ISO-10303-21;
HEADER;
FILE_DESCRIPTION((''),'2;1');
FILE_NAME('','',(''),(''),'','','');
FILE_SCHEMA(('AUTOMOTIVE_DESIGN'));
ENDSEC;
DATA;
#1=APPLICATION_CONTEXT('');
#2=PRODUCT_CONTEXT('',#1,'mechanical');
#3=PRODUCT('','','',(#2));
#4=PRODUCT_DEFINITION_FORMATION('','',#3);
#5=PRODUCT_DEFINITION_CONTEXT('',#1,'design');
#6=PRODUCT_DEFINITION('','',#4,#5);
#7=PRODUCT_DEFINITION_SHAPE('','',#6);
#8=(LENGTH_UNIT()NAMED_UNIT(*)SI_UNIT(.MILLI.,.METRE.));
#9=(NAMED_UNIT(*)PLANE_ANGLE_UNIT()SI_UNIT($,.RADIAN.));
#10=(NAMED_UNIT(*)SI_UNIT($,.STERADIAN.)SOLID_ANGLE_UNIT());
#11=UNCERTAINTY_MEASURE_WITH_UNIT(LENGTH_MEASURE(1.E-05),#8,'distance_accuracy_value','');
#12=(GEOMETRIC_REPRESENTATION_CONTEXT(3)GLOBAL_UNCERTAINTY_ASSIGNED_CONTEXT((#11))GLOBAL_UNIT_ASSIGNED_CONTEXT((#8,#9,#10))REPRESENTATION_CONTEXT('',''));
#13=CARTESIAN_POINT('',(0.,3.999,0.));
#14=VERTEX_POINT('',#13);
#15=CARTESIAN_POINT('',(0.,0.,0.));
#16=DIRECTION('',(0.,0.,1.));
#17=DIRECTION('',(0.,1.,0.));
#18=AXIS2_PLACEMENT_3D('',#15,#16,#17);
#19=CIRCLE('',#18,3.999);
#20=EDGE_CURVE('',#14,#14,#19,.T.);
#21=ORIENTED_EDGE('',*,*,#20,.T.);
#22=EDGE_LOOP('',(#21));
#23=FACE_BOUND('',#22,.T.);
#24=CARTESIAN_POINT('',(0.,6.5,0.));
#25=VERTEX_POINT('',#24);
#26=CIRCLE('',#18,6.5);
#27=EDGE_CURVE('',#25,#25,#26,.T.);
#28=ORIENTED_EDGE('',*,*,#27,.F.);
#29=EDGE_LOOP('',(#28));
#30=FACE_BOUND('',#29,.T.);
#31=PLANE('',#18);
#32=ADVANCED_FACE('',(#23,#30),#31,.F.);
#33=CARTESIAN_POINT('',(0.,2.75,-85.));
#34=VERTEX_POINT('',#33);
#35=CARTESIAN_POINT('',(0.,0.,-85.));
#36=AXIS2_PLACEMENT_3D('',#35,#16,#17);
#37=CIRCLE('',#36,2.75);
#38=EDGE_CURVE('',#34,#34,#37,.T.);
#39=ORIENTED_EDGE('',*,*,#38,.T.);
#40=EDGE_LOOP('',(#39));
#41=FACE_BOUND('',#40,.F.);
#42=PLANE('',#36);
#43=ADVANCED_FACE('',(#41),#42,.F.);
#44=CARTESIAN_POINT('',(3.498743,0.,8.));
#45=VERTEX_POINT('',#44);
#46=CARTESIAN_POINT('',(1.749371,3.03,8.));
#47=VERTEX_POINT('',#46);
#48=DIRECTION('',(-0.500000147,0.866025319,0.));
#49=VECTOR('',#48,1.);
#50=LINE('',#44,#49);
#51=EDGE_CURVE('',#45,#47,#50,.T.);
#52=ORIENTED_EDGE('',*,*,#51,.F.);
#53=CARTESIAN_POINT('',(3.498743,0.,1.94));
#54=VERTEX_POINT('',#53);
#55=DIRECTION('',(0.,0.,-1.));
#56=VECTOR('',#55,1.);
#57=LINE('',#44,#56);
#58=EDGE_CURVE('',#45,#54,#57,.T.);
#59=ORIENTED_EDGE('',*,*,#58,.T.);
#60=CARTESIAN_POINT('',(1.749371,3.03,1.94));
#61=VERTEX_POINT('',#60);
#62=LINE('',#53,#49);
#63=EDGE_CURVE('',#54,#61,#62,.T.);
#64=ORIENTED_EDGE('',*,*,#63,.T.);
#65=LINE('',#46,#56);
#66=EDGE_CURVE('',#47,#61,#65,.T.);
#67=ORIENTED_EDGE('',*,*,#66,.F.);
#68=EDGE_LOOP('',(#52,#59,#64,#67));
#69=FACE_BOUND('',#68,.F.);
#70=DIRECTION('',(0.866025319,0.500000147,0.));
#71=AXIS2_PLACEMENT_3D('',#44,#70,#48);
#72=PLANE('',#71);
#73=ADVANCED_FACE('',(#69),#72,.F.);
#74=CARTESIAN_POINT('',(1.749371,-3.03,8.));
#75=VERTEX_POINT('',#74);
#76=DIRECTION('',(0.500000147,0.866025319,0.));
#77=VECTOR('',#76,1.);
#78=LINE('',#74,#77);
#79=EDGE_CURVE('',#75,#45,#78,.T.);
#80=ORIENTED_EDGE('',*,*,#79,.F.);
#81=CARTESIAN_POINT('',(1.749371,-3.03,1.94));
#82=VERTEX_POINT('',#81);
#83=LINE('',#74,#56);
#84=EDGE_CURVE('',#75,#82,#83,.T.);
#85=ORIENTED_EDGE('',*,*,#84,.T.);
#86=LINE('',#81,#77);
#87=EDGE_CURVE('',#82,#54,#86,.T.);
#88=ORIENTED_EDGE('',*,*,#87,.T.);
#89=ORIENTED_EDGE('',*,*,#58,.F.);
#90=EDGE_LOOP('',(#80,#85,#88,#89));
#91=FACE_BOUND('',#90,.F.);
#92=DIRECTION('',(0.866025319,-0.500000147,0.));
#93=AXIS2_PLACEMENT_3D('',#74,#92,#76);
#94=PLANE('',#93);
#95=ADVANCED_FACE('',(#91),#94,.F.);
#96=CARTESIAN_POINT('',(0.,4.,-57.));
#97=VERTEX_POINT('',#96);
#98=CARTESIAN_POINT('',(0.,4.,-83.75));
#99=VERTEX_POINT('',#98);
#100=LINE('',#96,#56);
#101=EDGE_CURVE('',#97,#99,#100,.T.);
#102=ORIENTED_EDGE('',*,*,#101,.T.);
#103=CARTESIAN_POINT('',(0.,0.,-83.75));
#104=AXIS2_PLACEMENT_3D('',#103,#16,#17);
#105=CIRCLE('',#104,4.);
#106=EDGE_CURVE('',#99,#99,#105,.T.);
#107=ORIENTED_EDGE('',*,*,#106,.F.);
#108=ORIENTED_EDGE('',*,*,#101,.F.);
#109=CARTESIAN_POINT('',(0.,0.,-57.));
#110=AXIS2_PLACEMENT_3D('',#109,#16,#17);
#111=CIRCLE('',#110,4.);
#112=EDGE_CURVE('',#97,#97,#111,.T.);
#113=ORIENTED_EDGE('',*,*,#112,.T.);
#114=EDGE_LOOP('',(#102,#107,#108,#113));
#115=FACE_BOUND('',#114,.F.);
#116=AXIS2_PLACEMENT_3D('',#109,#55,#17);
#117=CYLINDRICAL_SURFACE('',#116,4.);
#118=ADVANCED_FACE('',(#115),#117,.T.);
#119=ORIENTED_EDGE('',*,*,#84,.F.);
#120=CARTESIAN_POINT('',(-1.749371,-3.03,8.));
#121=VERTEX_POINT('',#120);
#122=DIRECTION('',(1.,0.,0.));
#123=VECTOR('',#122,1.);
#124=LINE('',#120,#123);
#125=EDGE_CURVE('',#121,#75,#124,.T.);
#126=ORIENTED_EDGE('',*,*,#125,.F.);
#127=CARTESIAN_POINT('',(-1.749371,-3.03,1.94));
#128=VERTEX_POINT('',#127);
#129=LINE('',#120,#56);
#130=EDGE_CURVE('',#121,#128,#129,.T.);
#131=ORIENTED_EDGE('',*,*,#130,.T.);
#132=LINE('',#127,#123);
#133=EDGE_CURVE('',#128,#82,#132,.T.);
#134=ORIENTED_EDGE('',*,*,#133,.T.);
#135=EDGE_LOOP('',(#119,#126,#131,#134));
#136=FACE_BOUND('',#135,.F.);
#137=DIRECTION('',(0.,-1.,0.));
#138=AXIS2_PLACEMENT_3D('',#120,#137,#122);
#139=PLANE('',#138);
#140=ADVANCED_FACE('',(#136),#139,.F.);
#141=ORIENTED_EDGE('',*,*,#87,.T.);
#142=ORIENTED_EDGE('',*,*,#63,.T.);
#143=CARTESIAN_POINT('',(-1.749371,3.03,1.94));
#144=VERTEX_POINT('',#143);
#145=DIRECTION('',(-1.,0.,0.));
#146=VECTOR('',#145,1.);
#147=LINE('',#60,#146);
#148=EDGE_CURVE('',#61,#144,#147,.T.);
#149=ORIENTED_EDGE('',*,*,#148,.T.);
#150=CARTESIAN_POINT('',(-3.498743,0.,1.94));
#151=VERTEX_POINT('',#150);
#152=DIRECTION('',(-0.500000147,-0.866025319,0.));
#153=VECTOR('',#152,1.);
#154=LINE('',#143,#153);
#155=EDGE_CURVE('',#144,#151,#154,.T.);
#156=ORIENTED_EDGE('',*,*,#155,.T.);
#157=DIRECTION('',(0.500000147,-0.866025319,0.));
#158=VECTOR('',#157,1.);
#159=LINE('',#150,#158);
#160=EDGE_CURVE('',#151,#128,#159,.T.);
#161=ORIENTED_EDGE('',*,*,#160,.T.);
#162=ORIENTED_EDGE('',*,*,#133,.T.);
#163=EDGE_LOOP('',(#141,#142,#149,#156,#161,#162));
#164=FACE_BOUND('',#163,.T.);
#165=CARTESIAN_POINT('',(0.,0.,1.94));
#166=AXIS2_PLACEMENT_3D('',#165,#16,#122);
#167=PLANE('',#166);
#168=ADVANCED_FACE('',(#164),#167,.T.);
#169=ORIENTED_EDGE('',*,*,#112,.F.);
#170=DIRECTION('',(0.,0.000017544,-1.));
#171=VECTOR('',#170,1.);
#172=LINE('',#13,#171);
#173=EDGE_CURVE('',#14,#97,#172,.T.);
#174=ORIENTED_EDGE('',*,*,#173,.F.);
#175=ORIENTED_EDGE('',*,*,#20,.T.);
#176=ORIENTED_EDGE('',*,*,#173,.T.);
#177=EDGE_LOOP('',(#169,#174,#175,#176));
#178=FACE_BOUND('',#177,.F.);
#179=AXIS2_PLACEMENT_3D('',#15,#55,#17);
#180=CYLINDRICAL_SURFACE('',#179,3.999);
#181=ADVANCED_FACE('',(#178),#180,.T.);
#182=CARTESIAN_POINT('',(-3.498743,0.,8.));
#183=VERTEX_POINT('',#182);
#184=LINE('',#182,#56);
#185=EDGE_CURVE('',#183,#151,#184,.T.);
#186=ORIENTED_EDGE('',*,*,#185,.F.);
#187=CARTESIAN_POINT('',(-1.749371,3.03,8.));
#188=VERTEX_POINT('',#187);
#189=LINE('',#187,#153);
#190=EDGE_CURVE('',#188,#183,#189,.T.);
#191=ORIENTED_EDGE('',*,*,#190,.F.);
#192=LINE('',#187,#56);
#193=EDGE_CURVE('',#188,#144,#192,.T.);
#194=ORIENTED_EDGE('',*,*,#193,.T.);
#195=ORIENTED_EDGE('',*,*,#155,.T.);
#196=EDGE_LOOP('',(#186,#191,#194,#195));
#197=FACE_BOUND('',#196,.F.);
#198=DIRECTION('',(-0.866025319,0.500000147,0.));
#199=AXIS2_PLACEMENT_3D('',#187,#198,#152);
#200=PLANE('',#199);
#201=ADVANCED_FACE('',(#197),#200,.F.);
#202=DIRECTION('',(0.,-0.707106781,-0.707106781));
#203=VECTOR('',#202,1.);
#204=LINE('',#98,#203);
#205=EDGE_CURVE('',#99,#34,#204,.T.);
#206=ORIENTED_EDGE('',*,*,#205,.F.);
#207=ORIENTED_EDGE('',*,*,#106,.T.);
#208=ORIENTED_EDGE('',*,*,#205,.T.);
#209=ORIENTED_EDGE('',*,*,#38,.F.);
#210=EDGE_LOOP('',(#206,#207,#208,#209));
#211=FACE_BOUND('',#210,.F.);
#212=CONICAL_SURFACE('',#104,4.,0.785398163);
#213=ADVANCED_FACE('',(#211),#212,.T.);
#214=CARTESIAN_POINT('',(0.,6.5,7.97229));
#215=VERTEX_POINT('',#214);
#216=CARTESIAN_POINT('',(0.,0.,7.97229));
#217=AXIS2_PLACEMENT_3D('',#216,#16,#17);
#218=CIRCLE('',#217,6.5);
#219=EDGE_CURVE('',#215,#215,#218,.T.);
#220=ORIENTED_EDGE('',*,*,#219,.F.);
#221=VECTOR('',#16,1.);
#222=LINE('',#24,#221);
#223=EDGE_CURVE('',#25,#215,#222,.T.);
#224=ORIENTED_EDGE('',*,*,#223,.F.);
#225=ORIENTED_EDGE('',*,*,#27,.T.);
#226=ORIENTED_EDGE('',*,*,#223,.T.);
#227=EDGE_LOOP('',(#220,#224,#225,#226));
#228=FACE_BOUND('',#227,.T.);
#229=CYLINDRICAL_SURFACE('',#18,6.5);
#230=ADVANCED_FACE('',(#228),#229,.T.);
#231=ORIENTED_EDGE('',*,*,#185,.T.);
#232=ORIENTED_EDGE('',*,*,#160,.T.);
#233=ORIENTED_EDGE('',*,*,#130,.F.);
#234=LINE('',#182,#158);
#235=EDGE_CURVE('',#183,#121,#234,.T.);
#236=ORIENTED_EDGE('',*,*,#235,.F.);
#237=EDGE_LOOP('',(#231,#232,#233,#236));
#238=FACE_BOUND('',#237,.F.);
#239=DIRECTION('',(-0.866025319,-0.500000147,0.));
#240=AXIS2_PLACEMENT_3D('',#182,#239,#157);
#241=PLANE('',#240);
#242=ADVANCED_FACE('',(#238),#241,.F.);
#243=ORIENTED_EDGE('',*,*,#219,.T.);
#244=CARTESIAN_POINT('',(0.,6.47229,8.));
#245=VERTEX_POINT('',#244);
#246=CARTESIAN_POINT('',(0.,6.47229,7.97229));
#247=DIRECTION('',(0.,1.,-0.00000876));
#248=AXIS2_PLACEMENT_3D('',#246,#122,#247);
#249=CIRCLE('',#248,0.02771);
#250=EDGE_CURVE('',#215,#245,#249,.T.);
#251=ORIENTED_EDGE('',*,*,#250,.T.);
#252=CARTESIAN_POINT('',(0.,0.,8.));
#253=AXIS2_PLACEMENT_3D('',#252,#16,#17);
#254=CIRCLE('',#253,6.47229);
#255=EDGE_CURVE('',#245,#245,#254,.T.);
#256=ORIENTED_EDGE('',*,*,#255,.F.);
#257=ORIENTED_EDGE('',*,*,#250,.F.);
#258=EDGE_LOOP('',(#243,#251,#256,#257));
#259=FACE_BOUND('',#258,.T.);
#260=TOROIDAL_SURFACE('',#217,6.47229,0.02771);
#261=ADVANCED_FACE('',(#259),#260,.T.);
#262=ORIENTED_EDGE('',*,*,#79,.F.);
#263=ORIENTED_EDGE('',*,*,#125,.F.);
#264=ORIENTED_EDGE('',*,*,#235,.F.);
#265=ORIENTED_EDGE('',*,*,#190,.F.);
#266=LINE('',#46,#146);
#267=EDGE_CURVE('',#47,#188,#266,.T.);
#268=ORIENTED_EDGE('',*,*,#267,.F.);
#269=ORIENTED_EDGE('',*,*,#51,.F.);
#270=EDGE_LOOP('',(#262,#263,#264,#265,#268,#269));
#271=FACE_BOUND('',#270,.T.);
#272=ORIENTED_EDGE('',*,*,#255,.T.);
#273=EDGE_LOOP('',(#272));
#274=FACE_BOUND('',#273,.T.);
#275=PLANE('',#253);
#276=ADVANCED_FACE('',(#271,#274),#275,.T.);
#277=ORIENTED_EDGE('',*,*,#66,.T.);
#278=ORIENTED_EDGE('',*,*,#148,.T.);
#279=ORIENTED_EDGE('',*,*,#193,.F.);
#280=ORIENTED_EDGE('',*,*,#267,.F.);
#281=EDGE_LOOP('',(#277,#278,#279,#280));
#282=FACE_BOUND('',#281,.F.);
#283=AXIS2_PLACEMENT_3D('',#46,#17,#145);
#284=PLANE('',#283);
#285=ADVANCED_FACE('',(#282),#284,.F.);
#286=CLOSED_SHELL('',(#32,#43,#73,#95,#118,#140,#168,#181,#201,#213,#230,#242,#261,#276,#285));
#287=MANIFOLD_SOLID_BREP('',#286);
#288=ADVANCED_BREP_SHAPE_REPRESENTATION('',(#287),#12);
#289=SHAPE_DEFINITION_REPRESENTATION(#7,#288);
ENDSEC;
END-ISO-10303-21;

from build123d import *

# Parameters (mm, degrees)
POCKET_DEPTH = 6.06


with BuildPart() as part:
    # Sketch → Revolve (revolve)
    with BuildSketch(Plane.YZ):
        with BuildLine():
            Line((3.999, 0), (6.5, 0))
            Line((6.5, 0), (6.5, 7.97229))
            ThreePointArc((6.5, 7.97229), (6.491884, 7.991884), (6.47229, 8))
            Line((6.47229, 8), (0, 8))
            Line((0, -85), (0, 8))
            Line((2.75, -85), (0, -85))
            Line((4, -83.75), (2.75, -85))
            Line((4, -57), (4, -83.75))
            Line((3.999, 0), (4, -57))
        make_face()
    revolve(axis=Axis((0, 0, 0), (0, 0, 1)))

    # Sketch001 → Pocket (cut)
    with BuildSketch(Plane.XY.offset(8)):
        Polygon((3.498743, 0), (1.749371, 3.03), (-1.749371, 3.03), (-3.498743, 0), (-1.749371, -3.03), (1.749371, -3.03), align=None)
    extrude(amount=-POCKET_DEPTH, mode=Mode.SUBTRACT)


solid = part.part
